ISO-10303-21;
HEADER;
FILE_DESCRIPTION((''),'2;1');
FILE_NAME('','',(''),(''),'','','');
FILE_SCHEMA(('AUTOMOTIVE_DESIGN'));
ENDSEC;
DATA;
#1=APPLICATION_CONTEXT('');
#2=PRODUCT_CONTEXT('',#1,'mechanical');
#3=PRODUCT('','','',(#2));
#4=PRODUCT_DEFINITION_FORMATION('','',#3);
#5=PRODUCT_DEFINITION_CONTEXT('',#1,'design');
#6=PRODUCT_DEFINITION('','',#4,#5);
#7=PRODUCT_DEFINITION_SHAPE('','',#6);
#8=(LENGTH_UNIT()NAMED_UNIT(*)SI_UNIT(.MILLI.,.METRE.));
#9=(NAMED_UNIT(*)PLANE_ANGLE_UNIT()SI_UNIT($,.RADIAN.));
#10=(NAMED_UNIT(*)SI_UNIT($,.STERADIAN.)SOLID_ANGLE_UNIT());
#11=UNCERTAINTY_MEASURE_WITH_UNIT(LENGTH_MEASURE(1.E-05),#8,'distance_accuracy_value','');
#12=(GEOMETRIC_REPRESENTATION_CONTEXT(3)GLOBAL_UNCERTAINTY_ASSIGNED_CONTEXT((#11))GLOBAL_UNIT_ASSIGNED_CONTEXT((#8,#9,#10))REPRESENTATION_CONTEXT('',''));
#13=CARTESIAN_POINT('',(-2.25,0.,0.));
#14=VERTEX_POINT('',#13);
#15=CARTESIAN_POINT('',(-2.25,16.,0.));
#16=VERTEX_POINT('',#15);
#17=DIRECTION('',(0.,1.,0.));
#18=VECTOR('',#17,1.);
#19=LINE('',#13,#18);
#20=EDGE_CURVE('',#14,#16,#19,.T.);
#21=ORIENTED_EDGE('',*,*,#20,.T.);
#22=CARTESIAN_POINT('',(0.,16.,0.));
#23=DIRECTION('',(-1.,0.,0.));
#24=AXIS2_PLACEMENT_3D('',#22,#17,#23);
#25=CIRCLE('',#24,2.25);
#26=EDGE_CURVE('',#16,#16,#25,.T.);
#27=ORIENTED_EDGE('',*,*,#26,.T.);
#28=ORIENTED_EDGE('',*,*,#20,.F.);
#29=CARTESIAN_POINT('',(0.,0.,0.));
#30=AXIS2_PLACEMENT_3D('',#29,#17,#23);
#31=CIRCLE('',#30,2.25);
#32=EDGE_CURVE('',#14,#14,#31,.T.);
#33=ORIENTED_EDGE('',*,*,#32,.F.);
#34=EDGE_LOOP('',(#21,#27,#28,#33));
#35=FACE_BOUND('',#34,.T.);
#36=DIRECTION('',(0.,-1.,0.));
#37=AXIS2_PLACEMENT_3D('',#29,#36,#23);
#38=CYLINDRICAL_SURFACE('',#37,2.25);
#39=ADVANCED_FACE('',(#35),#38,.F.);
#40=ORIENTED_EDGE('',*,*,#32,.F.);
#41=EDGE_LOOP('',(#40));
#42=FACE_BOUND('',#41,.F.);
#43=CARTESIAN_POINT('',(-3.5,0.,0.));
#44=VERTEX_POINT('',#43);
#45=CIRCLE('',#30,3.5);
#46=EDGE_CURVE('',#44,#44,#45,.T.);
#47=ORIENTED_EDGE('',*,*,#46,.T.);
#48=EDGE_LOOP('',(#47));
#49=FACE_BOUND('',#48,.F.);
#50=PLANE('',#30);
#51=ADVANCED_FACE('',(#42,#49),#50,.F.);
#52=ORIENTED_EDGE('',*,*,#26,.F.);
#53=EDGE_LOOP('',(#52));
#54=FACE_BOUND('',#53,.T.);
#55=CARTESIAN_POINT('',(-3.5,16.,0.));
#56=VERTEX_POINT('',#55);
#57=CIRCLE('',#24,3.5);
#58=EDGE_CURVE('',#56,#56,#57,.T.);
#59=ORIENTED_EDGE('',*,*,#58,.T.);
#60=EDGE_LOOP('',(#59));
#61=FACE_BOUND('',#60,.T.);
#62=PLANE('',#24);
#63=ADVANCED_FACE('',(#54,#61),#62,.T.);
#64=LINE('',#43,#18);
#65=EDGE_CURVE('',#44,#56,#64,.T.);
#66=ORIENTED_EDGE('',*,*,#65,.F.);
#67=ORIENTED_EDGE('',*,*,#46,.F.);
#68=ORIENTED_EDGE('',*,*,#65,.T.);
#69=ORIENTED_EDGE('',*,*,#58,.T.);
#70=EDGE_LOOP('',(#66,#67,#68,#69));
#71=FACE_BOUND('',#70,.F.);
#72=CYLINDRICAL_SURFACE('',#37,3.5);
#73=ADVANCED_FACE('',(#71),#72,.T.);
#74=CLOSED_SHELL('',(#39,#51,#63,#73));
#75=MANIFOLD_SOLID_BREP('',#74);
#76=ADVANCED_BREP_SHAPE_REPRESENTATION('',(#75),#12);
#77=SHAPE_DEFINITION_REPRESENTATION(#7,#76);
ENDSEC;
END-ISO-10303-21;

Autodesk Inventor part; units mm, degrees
ref_plane "YZ Plane" through (0, 0, 0) normal (1, 0, 0) x (0, 1, 0)
ref_plane "XZ Plane" through (0, 0, 0) normal (0, 1, 0) x (-1, 0, 0)
ref_plane "XY Plane" through (0, 0, 0) normal (0, 0, 1) x (1, 0, 0)
sketch "Esquisse1" plane through (0, 0, 0) normal (0, 1, 0) x (-1, 0, 0)
  circle A0 centre (0, 0) radius 3.5
  circle A1 centre (0, 0) radius 2.25
  dimension "d0" = 4.5
  dimension "d1" = 7
extrude "Extrusion1" add sketch "Esquisse1" along normal blind 16
properties part number "entretoise_16"
